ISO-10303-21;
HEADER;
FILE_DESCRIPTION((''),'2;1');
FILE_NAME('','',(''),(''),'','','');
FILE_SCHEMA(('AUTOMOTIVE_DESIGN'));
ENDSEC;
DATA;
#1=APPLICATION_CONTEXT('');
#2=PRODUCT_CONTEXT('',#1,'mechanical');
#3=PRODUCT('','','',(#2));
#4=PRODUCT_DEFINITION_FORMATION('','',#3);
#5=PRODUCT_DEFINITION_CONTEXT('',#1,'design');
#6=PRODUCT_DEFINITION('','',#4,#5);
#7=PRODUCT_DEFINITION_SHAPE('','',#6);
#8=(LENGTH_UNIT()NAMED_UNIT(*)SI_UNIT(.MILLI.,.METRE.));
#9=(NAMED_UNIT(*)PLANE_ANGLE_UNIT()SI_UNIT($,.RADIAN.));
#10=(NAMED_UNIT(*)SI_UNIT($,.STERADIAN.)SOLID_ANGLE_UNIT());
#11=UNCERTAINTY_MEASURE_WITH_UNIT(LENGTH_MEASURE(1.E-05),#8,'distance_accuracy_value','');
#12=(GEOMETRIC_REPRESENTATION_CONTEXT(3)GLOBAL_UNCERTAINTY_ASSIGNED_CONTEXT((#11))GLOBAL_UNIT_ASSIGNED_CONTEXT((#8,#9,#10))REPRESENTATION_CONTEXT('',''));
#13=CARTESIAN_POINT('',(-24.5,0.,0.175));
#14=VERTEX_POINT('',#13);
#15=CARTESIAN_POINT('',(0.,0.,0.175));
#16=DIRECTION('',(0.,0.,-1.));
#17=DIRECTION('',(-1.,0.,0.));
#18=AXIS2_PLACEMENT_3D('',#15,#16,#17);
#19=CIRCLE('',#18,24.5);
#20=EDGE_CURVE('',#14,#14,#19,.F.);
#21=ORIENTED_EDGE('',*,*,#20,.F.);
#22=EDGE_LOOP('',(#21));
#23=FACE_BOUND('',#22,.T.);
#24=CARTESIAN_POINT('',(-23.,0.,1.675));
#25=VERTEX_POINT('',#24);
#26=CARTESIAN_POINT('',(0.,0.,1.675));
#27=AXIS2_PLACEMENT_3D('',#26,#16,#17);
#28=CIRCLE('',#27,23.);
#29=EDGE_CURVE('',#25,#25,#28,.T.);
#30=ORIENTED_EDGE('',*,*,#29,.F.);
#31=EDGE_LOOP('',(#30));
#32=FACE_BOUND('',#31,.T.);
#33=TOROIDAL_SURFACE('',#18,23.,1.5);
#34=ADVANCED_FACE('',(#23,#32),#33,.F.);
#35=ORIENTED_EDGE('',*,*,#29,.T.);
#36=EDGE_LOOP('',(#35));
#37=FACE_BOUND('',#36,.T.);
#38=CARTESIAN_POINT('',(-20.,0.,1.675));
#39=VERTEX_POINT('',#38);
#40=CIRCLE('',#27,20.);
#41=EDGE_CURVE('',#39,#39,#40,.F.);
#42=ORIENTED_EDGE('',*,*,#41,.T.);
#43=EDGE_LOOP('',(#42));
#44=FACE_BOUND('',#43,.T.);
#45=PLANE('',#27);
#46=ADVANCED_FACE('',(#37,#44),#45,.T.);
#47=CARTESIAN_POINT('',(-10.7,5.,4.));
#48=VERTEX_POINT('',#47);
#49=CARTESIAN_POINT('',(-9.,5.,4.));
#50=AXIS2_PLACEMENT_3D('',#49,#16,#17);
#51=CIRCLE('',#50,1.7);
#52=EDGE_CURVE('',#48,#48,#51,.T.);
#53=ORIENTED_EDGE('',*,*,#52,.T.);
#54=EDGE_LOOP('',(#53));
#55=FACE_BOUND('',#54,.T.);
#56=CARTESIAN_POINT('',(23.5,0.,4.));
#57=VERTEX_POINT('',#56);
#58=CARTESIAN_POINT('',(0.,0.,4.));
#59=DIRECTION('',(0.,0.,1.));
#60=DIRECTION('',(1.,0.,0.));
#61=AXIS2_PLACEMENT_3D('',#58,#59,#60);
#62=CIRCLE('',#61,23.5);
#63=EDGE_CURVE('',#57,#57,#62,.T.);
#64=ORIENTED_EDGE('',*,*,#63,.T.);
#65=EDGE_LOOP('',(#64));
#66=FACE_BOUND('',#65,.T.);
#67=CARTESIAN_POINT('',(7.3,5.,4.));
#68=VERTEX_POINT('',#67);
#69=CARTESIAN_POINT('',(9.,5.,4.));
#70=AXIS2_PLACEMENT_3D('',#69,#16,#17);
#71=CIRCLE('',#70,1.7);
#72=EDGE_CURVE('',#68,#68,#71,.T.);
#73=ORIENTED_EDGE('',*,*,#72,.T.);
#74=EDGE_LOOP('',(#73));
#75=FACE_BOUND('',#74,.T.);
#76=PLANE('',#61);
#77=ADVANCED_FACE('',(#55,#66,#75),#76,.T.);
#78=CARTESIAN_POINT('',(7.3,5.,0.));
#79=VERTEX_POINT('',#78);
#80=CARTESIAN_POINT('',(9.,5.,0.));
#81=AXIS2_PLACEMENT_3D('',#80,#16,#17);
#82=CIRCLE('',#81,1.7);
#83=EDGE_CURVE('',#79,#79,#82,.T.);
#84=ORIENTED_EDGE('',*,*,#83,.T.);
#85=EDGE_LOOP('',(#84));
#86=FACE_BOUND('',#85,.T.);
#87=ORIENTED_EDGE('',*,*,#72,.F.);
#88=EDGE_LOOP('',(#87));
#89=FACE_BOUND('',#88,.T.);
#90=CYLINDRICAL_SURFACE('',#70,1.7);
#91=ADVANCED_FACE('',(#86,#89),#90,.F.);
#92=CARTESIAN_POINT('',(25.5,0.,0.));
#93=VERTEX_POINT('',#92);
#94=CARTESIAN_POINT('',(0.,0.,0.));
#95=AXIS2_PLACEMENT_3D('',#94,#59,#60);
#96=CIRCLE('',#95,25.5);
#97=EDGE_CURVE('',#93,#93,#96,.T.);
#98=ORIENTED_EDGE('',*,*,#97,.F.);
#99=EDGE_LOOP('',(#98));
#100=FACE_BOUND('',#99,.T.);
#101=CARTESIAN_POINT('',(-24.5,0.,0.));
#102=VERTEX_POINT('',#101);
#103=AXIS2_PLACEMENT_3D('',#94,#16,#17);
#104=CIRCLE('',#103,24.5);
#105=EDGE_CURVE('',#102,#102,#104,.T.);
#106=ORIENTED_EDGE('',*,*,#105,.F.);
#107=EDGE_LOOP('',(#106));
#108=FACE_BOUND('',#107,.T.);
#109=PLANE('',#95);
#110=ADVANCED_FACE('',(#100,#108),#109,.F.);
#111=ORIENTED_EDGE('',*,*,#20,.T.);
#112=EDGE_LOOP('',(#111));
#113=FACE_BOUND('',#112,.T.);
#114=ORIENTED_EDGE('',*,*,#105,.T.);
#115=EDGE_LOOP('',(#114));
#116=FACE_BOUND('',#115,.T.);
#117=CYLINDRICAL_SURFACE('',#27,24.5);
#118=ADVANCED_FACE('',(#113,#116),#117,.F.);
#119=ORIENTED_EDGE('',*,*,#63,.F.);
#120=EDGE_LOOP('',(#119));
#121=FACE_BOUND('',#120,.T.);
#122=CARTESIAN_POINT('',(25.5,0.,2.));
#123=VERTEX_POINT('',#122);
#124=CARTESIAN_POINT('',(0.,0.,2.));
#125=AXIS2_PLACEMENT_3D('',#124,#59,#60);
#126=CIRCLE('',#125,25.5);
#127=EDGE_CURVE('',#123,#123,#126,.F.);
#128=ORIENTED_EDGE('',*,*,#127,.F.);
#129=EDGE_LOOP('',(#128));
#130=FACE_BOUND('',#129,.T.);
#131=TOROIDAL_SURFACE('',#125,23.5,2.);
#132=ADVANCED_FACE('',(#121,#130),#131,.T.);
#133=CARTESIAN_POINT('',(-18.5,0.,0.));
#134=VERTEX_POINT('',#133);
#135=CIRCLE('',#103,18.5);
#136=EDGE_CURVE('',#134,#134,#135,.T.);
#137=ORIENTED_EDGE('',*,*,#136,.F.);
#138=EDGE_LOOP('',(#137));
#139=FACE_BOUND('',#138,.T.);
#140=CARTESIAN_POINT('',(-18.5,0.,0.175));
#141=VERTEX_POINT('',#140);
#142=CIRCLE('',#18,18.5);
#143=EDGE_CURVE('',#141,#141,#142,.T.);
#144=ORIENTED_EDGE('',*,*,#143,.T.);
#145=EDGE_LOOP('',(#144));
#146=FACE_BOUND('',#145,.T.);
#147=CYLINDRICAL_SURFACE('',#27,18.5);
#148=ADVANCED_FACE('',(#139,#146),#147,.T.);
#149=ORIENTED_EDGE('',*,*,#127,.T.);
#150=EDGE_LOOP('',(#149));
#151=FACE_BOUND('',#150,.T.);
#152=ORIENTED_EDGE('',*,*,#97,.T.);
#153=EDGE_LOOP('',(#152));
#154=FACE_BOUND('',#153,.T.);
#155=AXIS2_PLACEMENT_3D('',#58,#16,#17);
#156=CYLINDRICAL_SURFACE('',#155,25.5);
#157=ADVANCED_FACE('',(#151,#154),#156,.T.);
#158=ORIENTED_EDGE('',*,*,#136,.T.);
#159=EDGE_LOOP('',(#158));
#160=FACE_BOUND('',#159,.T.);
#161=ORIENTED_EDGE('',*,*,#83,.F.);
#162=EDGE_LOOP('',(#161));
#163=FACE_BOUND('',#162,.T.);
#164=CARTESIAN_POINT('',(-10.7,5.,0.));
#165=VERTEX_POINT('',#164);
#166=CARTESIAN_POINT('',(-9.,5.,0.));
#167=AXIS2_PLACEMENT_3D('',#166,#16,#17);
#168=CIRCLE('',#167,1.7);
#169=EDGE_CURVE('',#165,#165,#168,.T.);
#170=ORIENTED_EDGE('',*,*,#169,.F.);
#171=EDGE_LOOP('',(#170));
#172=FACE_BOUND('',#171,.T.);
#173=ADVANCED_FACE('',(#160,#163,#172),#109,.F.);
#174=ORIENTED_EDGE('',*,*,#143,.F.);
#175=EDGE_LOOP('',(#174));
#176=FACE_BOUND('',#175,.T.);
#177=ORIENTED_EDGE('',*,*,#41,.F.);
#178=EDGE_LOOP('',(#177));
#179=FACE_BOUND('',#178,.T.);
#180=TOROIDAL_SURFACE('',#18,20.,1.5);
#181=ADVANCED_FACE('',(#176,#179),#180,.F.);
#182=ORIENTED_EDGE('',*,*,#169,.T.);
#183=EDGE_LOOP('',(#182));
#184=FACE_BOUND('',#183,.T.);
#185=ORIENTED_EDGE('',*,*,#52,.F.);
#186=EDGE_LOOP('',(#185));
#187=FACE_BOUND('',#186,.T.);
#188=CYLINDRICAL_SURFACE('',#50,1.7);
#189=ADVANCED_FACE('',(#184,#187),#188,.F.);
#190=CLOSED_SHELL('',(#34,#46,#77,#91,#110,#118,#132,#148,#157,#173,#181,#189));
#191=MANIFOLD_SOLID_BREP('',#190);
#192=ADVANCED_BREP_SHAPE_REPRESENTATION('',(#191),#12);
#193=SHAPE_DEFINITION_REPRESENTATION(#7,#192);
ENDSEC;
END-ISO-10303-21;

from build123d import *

# Parameters (mm, degrees)
SKETCH1_R           = 25.5
BOSS_EXTRUDE1_DEPTH = 4
SKETCH3_R           = 24.5
SKETCH3_R_2         = 18.5
CUT_EXTRUDE1_DEPTH  = 1.675
FILLET1_R           = 1.5
FILLET2_R           = 2
SKETCH4_R           = 1.7
CUT_EXTRUDE2_DEPTH  = 4


with BuildPart() as part:
    # Sketch1 → Boss-Extrude1 (new body)
    with BuildSketch(Plane.XY):
        Circle(SKETCH1_R)
    extrude(amount=BOSS_EXTRUDE1_DEPTH)

    # Sketch3 → Cut-Extrude1 (cut)
    with BuildSketch(Plane(origin=(0, 0, 0), x_dir=(-1, 0, 0), z_dir=(0, 0, -1))):
        Circle(SKETCH3_R)
        Circle(SKETCH3_R_2, mode=Mode.SUBTRACT)
    extrude(amount=-CUT_EXTRUDE1_DEPTH, mode=Mode.SUBTRACT)

    # Fillet1
    fillet1_edges = [part.edges().sort_by_distance(p)[0] for p in [
        (24.5, 0, 1.675),
        (18.5, 0, 1.675),
    ]]
    fillet(fillet1_edges, radius=FILLET1_R)

    # Fillet2
    fillet2_edges = [part.edges().sort_by_distance(p)[0] for p in [
        (-25.5, 0, 4),
    ]]
    fillet(fillet2_edges, radius=FILLET2_R)

    # Sketch4 → Cut-Extrude2 (cut)
    with BuildSketch(Plane(origin=(0, 0, 0), x_dir=(-1, 0, 0), z_dir=(0, 0, -1))):
        with Locations((-9, 5)):
            Circle(SKETCH4_R)
        with Locations((9, 5)):
            Circle(SKETCH4_R)
    extrude(amount=-CUT_EXTRUDE2_DEPTH, mode=Mode.SUBTRACT)


solid = part.part
